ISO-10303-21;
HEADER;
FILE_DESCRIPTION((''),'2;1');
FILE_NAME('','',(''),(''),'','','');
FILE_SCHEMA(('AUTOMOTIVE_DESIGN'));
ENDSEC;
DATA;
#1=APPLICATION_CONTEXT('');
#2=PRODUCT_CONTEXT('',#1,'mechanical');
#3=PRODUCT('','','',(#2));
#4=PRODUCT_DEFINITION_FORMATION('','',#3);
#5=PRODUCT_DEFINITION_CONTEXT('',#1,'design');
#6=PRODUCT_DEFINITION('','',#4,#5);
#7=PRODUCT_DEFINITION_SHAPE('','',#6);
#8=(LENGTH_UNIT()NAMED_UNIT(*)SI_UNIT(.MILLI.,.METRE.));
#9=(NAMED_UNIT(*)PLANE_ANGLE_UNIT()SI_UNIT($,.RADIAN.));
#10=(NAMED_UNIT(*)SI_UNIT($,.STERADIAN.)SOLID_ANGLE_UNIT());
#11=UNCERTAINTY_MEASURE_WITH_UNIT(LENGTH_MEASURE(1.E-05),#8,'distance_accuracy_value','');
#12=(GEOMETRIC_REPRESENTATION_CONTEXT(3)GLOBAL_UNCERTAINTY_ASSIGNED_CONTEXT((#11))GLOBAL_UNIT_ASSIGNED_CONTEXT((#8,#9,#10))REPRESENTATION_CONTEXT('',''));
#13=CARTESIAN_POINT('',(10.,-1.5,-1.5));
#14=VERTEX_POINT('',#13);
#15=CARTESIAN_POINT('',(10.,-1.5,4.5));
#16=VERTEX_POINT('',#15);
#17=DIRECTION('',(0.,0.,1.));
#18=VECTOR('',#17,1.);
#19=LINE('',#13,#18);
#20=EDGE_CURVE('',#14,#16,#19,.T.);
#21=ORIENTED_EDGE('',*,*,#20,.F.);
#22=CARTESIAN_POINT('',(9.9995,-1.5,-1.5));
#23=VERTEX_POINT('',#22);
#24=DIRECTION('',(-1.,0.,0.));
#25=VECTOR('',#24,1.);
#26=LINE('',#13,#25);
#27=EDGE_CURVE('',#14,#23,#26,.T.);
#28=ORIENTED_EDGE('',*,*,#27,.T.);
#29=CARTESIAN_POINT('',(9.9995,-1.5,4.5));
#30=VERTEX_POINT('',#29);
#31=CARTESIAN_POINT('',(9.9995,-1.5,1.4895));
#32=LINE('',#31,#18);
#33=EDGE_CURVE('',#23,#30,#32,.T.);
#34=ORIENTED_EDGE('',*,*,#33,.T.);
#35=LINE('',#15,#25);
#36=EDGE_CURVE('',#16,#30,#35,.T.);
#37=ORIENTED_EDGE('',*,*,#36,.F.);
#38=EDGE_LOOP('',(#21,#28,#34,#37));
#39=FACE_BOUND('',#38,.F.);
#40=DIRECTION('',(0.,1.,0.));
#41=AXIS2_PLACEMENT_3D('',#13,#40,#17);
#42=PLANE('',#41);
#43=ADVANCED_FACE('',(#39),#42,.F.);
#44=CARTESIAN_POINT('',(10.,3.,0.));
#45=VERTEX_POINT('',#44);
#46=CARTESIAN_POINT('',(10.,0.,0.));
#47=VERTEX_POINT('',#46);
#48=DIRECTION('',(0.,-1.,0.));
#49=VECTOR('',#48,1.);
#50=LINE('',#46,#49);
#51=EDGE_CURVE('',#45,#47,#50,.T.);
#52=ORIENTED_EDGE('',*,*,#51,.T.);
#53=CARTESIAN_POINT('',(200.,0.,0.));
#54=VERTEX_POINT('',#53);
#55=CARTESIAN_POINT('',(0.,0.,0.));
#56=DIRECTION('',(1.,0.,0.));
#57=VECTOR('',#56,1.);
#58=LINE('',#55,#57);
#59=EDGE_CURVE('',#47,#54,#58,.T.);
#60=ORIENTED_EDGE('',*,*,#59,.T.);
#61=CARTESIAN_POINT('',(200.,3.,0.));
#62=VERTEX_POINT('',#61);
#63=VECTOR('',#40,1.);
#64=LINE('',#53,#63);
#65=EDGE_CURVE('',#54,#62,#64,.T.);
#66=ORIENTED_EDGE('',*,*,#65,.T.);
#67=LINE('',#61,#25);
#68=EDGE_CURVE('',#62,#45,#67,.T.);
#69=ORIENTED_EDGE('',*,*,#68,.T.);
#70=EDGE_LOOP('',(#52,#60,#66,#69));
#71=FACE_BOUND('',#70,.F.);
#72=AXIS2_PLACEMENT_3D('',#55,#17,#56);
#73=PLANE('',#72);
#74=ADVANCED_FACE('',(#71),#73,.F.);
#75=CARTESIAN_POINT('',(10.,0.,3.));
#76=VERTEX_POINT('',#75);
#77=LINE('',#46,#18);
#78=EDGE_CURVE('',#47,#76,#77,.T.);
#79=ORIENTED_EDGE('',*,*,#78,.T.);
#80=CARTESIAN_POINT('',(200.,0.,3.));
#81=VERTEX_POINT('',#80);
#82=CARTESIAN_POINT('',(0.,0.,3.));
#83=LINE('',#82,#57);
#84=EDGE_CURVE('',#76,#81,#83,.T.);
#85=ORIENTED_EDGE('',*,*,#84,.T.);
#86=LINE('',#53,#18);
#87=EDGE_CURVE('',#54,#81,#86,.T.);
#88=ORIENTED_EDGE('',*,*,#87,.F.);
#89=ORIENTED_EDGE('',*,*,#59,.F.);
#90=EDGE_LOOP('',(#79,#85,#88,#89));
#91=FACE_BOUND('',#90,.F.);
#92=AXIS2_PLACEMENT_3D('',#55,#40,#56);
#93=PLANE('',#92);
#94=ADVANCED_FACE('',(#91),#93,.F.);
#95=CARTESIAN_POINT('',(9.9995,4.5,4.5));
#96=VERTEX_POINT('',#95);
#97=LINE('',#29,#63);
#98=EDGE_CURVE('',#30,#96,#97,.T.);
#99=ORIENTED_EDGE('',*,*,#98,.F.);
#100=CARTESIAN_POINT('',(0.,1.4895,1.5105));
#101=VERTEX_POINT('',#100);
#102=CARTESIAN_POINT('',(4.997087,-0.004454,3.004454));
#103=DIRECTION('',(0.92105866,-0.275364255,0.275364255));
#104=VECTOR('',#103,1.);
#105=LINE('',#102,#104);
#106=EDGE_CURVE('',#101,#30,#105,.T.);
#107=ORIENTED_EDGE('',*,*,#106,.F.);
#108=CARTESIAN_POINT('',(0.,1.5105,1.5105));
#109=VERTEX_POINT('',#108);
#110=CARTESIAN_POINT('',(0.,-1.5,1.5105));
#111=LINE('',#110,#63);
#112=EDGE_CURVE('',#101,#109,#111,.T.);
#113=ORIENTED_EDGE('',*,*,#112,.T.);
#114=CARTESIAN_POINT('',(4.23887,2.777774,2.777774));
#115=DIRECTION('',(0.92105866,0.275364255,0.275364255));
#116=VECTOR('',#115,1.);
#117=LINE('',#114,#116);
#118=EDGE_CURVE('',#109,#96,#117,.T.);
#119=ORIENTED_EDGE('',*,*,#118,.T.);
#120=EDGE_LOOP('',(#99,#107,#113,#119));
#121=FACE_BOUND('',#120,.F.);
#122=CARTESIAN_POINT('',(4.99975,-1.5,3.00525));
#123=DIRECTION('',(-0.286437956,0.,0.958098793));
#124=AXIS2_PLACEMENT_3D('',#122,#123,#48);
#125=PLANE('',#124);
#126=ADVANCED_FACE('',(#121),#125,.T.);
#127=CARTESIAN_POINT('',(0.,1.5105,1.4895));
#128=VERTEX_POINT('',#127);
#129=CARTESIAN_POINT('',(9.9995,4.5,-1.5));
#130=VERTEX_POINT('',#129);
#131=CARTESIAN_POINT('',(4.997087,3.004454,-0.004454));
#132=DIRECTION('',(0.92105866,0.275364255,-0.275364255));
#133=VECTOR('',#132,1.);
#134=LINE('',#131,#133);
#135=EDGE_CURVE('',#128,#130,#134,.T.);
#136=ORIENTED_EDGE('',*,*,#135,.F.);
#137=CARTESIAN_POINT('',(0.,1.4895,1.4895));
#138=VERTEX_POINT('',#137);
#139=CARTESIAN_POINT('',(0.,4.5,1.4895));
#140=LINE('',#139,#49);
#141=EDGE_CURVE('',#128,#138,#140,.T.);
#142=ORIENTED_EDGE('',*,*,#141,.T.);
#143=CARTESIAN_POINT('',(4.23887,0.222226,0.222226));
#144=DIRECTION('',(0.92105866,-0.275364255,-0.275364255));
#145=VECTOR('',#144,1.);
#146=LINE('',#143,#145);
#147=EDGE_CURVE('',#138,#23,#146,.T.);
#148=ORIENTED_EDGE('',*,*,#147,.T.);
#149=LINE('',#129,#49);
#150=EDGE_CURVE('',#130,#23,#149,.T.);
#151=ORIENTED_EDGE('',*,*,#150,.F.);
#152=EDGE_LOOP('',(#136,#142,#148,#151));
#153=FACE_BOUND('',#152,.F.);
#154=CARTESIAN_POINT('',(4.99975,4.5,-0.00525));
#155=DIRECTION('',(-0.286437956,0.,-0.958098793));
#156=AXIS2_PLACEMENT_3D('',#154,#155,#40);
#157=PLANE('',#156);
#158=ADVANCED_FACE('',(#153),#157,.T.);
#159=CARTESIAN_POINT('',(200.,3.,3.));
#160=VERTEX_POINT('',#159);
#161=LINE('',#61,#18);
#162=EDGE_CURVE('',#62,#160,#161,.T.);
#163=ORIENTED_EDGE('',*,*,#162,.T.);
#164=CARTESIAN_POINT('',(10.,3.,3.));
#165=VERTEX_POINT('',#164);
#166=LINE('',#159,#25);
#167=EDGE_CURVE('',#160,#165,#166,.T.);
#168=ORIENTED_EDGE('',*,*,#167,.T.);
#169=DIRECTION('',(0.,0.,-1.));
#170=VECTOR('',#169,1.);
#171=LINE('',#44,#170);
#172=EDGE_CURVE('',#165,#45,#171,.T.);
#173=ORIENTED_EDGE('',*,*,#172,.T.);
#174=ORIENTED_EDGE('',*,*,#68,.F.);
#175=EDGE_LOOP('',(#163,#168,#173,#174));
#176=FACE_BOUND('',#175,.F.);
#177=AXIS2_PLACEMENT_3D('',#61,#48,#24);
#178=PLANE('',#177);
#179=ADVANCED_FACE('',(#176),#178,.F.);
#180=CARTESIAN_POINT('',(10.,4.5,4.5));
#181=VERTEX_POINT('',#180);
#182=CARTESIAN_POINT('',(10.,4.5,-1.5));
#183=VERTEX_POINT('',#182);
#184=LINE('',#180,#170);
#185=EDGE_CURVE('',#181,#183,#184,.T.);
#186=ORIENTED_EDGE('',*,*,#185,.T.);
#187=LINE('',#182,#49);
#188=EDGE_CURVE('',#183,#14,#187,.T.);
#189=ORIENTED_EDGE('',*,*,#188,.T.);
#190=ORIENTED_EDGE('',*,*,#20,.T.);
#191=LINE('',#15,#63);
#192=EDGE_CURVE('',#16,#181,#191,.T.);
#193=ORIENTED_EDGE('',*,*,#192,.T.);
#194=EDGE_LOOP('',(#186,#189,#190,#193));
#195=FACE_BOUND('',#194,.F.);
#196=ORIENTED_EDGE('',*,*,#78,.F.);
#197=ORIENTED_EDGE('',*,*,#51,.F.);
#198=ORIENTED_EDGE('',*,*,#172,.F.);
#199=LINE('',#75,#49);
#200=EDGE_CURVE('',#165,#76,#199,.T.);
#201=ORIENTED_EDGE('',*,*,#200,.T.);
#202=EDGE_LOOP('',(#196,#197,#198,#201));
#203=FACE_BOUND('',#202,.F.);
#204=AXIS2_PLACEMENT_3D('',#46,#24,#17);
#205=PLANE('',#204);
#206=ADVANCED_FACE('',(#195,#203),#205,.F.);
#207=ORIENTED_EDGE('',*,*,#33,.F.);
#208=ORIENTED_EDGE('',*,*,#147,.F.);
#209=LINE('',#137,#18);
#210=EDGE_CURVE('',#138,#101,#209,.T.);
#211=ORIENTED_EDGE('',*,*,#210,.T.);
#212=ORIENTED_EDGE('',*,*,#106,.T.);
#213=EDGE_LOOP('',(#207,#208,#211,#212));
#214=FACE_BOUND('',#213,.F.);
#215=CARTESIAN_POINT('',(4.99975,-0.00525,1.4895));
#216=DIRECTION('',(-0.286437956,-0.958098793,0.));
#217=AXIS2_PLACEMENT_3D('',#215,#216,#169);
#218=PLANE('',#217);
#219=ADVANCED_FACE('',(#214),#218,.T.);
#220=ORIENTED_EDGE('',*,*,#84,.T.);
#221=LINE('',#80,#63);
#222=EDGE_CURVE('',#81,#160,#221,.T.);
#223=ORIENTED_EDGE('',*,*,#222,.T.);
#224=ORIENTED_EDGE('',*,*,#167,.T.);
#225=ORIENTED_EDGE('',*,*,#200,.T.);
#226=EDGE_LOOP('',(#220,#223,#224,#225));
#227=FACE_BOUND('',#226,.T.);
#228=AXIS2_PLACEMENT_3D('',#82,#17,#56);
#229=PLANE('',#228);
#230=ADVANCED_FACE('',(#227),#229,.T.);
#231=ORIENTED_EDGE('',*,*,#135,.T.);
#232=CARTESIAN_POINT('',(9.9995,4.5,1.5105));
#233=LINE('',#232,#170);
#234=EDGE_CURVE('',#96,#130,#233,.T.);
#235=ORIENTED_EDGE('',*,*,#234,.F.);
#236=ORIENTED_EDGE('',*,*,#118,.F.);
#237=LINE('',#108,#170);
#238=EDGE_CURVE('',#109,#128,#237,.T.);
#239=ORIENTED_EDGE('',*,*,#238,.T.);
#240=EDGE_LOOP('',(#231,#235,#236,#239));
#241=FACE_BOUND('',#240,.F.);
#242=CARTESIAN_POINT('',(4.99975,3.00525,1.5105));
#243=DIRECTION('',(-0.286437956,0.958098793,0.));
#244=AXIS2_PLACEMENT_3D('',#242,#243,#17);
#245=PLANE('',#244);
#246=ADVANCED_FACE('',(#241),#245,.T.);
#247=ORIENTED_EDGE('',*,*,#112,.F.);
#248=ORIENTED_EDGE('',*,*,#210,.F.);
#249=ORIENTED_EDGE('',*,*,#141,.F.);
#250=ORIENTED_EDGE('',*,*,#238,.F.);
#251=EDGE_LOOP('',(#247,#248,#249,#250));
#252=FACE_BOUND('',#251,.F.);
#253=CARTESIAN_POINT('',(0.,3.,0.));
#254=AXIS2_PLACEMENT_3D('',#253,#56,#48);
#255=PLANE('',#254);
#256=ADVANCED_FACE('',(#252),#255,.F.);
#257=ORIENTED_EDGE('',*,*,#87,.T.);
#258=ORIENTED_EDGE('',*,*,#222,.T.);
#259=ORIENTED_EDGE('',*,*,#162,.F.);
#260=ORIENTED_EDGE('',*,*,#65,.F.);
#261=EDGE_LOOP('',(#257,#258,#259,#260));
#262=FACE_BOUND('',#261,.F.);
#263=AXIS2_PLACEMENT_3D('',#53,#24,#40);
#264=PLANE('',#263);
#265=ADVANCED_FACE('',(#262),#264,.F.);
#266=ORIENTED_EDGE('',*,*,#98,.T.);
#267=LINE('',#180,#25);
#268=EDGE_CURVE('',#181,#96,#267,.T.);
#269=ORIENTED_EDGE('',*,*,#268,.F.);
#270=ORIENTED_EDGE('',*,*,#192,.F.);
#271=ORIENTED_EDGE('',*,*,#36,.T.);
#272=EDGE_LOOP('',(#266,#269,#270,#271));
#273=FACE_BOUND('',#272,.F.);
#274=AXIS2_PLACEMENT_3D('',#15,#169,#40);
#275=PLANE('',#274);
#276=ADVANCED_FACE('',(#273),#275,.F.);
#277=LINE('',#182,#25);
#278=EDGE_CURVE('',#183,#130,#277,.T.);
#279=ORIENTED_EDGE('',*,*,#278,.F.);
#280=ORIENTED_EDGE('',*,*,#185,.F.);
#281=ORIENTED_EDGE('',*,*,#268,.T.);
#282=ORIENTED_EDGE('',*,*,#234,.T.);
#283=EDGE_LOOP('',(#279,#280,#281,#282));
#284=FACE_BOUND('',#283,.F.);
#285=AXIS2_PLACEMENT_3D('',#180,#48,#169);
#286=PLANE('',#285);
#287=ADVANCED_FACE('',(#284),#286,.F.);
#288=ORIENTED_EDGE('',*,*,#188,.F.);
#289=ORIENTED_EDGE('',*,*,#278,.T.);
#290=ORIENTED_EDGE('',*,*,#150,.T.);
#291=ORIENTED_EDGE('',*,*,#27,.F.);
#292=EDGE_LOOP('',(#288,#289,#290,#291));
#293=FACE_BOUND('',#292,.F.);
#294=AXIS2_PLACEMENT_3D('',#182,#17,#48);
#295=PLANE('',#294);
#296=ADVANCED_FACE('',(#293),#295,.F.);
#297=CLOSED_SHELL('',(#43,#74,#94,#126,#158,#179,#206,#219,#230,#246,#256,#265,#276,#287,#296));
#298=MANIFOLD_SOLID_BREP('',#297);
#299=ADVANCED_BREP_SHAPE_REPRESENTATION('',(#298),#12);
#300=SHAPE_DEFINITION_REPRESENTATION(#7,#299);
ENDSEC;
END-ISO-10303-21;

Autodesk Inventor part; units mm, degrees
ref_plane "YZ Plane" through (0, 0, 0) normal (1, 0, 0) x (0, 1, 0)
ref_plane "XZ Plane" through (0, 0, 0) normal (0, 1, 0) x (-1, 0, 0)
ref_plane "XY Plane" through (0, 0, 0) normal (0, 0, 1) x (1, 0, 0)
sketch "Skizze1" plane through (0, 0, 0) normal (0, 0, 1) x (1, 0, 0)
  line L0 (0, 0) -> (200, 0)
  line L1 (200, 0) -> (200, 3)
  line L2 (200, 3) -> (0, 3)
  line L3 (0, 3) -> (0, 0)
  dimension "d0" = 200
  dimension "d1" = 3
extrude "Extrusion1" add sketch "Skizze1" along normal blind 3
sketch "Skizze2" plane through (200, 0, 0) normal (1, 0, 0) x (0, 0, -1)
  point P0 (0, 0)
sketch "Skizze3" plane through (0, 0, 0) normal (0, -1, 0) x (1, 0, 0)
  line L0 (0, 0) -> (200, 0) projected
  line L1 (200, 0) -> (53.164, 0)
  dimension "d4" = 146.836
sketch "Skizze4" plane through (10, 0, 0) normal (-1, 0, 0) x (0, 0, 1)
  line L0 (0, 3) -> (3, 3) projected
  line L1 (0, 0) -> (3, 3)
  line L2 (3, 3) -> (0, 3)
  line L3 (0, 3) -> (3, 0)
  line L4 (-1.5, -1.5) -> (4.5, -1.5)
  line L5 (4.5, -1.5) -> (4.5, 4.5)
  line L6 (4.5, 4.5) -> (-1.5, 4.5)
  line L7 (-1.5, 4.5) -> (-1.5, -1.5)
  line L8 (-1.5, -1.5) -> (4.5, 4.5) construction
  line L9 (4.5, -1.5) -> (-1.5, 4.5) construction
  point P0 (1.5, 1.5)
  dimension "d14" = 6
  dimension "d15" = 6
extrude "Extrusion2" add sketch "Skizze4" along normal blind 10 contours L0 L1 L3 | L7 L6 L5 L4
chamfer "Fase1" distance 2.99 distance2 10 1 edges at (0, 1.5, -1.5) measured on face at (0, 2.5, 0.5)
chamfer "Fase2" distance 2.99 distance2 10 1 edges at (0, 1.5, 4.5) measured on face at (0, 2.5, 2.493)
chamfer "Fase3" distance 2.99 distance2 10 1 edges at (0, -1.5, 1.5) measured on face at (0, 0.5, 1.5035)
chamfer "Fase4" distance 2.99 distance2 10 1 edges at (0, 4.5, 1.5) measured on face at (0, 3.4965, 1.4965)
sketch "Skizze9" plane through (10, 0, 0) normal (0, -1, 0) x (1, 0, 0)
  line L0 (0, 3) -> (190, 3) projected
  line L1 (40.0497, 3) -> (40.0497, 0)
  line L2 (0, 0) -> (190, 0) projected
  point P0 (-10, 0)
sketch "Skizze10" plane through (0, 0, 0) normal (0, 0, -1) x (-1, 0, 0)
  line L0 (-200, 3) -> (-10, 3) projected
  line L1 (-51.2532, 3) -> (-50.0501, 0)
  line L2 (-10, 0) -> (-200, 0) projected
  point P0 (0, 0)
properties part number "blueStick"
